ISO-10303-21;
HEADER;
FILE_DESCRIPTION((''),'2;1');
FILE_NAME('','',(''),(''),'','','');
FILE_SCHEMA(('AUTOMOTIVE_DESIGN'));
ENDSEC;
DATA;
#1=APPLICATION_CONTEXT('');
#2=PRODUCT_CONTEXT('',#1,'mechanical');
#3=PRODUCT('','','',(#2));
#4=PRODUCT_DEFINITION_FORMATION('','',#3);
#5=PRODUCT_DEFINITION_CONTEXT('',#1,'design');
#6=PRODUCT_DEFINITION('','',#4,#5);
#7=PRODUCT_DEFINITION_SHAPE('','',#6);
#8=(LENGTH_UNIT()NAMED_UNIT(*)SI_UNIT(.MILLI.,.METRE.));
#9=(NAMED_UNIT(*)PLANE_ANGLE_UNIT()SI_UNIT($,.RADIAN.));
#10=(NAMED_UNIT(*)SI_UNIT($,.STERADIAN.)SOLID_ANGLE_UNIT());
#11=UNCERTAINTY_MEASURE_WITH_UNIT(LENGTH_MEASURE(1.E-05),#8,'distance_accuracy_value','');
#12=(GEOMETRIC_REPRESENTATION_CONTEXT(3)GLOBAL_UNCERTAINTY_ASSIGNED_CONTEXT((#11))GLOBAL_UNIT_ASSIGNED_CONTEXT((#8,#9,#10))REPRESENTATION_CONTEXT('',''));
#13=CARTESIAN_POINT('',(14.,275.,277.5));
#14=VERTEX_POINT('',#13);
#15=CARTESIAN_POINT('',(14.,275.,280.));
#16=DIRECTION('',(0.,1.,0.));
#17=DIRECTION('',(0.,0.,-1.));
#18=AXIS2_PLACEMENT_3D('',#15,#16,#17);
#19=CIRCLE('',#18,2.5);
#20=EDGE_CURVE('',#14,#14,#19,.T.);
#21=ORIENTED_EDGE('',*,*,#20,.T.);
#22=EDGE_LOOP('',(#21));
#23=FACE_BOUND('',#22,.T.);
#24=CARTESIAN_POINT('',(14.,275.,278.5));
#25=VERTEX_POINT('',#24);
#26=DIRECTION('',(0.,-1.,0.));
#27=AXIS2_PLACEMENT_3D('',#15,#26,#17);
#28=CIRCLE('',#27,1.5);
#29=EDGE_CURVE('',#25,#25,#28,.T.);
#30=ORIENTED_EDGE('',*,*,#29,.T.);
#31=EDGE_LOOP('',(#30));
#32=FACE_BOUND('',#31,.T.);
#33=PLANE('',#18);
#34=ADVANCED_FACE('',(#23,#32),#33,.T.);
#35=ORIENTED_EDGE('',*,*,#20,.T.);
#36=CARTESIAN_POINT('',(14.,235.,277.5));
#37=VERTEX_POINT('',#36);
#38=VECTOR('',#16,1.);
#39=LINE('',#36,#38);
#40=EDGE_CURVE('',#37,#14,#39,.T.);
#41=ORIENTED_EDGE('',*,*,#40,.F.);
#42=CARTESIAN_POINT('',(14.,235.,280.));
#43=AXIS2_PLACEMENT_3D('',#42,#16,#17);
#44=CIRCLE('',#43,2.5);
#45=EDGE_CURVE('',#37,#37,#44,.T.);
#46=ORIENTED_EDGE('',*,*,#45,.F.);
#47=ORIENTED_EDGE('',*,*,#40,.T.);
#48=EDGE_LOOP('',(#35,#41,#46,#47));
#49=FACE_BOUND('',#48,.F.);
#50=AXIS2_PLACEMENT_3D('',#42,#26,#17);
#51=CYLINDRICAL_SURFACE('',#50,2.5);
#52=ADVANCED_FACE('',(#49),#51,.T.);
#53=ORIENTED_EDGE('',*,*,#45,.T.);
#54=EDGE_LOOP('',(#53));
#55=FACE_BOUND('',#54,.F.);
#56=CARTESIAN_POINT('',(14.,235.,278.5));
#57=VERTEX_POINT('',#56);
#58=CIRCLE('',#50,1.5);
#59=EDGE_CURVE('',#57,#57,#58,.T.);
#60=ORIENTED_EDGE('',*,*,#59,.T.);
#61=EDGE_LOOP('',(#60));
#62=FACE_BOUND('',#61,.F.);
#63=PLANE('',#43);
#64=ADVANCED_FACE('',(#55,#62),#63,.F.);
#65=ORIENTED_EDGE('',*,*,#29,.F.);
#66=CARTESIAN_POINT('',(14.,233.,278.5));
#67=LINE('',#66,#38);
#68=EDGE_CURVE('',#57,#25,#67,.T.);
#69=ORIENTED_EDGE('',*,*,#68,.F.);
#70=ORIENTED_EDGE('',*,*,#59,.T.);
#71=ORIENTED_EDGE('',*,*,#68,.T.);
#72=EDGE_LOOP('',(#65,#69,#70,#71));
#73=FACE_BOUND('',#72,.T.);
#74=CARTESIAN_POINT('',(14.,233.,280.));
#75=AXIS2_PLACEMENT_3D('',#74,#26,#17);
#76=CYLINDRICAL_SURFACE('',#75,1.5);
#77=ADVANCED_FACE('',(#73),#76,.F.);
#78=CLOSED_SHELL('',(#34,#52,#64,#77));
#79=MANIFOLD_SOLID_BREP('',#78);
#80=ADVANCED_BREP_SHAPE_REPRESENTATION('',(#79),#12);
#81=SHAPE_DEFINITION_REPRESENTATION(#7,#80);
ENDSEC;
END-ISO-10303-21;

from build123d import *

# Parameters (mm, degrees)
CYLINDER007_R           = 1.5
CYLINDER007_DEPTH       = 44
CYLINDER007_PITCH_ANGLE = 90
CYLINDER006_R           = 2.5
CYLINDER006_DEPTH       = 40
CYLINDER006_PITCH_ANGLE = 90
CUT007_PLACEMENT_ANGLE  = 90


with BuildPart() as cilindro007:
    # Cylinder007 → Cylinder007 (new body)
    with BuildSketch(Plane.XY):
        Circle(CYLINDER007_R)
    extrude(amount=CYLINDER007_DEPTH)


with BuildPart() as cilindro007_1:
    # Cylinder007 pitch: moved
    add(cilindro007.part.rotate(Axis((0, 0, 0), (0, 1, 0)), CYLINDER007_PITCH_ANGLE))


with BuildPart() as cilindro007_2:
    # Cylinder007 placement: moved
    add(cilindro007_1.part.moved(Location((-2, 0, 0))))


with BuildPart() as soporte008:
    # Cylinder006 → Cylinder006 (new body)
    with BuildSketch(Plane.XY):
        Circle(CYLINDER006_R)
    extrude(amount=CYLINDER006_DEPTH)


with BuildPart() as soporte008_1:
    # Cylinder006 pitch: moved
    add(soporte008.part.rotate(Axis((0, 0, 0), (0, 1, 0)), CYLINDER006_PITCH_ANGLE))


with BuildPart() as soporte008_2:
    # Cylinder006 placement: moved
    add(soporte008_1.part)

    # Cut007: cut Cilindro007
    add(cilindro007_2.part, mode=Mode.SUBTRACT)


with BuildPart() as soporte008_3:
    # Cut007 placement: moved
    add(soporte008_2.part.moved(Location((14, 235, 280))).rotate(Axis((14, 235, 280), (0, 0, 1)), CUT007_PLACEMENT_ANGLE))


solid = soporte008_3.part
